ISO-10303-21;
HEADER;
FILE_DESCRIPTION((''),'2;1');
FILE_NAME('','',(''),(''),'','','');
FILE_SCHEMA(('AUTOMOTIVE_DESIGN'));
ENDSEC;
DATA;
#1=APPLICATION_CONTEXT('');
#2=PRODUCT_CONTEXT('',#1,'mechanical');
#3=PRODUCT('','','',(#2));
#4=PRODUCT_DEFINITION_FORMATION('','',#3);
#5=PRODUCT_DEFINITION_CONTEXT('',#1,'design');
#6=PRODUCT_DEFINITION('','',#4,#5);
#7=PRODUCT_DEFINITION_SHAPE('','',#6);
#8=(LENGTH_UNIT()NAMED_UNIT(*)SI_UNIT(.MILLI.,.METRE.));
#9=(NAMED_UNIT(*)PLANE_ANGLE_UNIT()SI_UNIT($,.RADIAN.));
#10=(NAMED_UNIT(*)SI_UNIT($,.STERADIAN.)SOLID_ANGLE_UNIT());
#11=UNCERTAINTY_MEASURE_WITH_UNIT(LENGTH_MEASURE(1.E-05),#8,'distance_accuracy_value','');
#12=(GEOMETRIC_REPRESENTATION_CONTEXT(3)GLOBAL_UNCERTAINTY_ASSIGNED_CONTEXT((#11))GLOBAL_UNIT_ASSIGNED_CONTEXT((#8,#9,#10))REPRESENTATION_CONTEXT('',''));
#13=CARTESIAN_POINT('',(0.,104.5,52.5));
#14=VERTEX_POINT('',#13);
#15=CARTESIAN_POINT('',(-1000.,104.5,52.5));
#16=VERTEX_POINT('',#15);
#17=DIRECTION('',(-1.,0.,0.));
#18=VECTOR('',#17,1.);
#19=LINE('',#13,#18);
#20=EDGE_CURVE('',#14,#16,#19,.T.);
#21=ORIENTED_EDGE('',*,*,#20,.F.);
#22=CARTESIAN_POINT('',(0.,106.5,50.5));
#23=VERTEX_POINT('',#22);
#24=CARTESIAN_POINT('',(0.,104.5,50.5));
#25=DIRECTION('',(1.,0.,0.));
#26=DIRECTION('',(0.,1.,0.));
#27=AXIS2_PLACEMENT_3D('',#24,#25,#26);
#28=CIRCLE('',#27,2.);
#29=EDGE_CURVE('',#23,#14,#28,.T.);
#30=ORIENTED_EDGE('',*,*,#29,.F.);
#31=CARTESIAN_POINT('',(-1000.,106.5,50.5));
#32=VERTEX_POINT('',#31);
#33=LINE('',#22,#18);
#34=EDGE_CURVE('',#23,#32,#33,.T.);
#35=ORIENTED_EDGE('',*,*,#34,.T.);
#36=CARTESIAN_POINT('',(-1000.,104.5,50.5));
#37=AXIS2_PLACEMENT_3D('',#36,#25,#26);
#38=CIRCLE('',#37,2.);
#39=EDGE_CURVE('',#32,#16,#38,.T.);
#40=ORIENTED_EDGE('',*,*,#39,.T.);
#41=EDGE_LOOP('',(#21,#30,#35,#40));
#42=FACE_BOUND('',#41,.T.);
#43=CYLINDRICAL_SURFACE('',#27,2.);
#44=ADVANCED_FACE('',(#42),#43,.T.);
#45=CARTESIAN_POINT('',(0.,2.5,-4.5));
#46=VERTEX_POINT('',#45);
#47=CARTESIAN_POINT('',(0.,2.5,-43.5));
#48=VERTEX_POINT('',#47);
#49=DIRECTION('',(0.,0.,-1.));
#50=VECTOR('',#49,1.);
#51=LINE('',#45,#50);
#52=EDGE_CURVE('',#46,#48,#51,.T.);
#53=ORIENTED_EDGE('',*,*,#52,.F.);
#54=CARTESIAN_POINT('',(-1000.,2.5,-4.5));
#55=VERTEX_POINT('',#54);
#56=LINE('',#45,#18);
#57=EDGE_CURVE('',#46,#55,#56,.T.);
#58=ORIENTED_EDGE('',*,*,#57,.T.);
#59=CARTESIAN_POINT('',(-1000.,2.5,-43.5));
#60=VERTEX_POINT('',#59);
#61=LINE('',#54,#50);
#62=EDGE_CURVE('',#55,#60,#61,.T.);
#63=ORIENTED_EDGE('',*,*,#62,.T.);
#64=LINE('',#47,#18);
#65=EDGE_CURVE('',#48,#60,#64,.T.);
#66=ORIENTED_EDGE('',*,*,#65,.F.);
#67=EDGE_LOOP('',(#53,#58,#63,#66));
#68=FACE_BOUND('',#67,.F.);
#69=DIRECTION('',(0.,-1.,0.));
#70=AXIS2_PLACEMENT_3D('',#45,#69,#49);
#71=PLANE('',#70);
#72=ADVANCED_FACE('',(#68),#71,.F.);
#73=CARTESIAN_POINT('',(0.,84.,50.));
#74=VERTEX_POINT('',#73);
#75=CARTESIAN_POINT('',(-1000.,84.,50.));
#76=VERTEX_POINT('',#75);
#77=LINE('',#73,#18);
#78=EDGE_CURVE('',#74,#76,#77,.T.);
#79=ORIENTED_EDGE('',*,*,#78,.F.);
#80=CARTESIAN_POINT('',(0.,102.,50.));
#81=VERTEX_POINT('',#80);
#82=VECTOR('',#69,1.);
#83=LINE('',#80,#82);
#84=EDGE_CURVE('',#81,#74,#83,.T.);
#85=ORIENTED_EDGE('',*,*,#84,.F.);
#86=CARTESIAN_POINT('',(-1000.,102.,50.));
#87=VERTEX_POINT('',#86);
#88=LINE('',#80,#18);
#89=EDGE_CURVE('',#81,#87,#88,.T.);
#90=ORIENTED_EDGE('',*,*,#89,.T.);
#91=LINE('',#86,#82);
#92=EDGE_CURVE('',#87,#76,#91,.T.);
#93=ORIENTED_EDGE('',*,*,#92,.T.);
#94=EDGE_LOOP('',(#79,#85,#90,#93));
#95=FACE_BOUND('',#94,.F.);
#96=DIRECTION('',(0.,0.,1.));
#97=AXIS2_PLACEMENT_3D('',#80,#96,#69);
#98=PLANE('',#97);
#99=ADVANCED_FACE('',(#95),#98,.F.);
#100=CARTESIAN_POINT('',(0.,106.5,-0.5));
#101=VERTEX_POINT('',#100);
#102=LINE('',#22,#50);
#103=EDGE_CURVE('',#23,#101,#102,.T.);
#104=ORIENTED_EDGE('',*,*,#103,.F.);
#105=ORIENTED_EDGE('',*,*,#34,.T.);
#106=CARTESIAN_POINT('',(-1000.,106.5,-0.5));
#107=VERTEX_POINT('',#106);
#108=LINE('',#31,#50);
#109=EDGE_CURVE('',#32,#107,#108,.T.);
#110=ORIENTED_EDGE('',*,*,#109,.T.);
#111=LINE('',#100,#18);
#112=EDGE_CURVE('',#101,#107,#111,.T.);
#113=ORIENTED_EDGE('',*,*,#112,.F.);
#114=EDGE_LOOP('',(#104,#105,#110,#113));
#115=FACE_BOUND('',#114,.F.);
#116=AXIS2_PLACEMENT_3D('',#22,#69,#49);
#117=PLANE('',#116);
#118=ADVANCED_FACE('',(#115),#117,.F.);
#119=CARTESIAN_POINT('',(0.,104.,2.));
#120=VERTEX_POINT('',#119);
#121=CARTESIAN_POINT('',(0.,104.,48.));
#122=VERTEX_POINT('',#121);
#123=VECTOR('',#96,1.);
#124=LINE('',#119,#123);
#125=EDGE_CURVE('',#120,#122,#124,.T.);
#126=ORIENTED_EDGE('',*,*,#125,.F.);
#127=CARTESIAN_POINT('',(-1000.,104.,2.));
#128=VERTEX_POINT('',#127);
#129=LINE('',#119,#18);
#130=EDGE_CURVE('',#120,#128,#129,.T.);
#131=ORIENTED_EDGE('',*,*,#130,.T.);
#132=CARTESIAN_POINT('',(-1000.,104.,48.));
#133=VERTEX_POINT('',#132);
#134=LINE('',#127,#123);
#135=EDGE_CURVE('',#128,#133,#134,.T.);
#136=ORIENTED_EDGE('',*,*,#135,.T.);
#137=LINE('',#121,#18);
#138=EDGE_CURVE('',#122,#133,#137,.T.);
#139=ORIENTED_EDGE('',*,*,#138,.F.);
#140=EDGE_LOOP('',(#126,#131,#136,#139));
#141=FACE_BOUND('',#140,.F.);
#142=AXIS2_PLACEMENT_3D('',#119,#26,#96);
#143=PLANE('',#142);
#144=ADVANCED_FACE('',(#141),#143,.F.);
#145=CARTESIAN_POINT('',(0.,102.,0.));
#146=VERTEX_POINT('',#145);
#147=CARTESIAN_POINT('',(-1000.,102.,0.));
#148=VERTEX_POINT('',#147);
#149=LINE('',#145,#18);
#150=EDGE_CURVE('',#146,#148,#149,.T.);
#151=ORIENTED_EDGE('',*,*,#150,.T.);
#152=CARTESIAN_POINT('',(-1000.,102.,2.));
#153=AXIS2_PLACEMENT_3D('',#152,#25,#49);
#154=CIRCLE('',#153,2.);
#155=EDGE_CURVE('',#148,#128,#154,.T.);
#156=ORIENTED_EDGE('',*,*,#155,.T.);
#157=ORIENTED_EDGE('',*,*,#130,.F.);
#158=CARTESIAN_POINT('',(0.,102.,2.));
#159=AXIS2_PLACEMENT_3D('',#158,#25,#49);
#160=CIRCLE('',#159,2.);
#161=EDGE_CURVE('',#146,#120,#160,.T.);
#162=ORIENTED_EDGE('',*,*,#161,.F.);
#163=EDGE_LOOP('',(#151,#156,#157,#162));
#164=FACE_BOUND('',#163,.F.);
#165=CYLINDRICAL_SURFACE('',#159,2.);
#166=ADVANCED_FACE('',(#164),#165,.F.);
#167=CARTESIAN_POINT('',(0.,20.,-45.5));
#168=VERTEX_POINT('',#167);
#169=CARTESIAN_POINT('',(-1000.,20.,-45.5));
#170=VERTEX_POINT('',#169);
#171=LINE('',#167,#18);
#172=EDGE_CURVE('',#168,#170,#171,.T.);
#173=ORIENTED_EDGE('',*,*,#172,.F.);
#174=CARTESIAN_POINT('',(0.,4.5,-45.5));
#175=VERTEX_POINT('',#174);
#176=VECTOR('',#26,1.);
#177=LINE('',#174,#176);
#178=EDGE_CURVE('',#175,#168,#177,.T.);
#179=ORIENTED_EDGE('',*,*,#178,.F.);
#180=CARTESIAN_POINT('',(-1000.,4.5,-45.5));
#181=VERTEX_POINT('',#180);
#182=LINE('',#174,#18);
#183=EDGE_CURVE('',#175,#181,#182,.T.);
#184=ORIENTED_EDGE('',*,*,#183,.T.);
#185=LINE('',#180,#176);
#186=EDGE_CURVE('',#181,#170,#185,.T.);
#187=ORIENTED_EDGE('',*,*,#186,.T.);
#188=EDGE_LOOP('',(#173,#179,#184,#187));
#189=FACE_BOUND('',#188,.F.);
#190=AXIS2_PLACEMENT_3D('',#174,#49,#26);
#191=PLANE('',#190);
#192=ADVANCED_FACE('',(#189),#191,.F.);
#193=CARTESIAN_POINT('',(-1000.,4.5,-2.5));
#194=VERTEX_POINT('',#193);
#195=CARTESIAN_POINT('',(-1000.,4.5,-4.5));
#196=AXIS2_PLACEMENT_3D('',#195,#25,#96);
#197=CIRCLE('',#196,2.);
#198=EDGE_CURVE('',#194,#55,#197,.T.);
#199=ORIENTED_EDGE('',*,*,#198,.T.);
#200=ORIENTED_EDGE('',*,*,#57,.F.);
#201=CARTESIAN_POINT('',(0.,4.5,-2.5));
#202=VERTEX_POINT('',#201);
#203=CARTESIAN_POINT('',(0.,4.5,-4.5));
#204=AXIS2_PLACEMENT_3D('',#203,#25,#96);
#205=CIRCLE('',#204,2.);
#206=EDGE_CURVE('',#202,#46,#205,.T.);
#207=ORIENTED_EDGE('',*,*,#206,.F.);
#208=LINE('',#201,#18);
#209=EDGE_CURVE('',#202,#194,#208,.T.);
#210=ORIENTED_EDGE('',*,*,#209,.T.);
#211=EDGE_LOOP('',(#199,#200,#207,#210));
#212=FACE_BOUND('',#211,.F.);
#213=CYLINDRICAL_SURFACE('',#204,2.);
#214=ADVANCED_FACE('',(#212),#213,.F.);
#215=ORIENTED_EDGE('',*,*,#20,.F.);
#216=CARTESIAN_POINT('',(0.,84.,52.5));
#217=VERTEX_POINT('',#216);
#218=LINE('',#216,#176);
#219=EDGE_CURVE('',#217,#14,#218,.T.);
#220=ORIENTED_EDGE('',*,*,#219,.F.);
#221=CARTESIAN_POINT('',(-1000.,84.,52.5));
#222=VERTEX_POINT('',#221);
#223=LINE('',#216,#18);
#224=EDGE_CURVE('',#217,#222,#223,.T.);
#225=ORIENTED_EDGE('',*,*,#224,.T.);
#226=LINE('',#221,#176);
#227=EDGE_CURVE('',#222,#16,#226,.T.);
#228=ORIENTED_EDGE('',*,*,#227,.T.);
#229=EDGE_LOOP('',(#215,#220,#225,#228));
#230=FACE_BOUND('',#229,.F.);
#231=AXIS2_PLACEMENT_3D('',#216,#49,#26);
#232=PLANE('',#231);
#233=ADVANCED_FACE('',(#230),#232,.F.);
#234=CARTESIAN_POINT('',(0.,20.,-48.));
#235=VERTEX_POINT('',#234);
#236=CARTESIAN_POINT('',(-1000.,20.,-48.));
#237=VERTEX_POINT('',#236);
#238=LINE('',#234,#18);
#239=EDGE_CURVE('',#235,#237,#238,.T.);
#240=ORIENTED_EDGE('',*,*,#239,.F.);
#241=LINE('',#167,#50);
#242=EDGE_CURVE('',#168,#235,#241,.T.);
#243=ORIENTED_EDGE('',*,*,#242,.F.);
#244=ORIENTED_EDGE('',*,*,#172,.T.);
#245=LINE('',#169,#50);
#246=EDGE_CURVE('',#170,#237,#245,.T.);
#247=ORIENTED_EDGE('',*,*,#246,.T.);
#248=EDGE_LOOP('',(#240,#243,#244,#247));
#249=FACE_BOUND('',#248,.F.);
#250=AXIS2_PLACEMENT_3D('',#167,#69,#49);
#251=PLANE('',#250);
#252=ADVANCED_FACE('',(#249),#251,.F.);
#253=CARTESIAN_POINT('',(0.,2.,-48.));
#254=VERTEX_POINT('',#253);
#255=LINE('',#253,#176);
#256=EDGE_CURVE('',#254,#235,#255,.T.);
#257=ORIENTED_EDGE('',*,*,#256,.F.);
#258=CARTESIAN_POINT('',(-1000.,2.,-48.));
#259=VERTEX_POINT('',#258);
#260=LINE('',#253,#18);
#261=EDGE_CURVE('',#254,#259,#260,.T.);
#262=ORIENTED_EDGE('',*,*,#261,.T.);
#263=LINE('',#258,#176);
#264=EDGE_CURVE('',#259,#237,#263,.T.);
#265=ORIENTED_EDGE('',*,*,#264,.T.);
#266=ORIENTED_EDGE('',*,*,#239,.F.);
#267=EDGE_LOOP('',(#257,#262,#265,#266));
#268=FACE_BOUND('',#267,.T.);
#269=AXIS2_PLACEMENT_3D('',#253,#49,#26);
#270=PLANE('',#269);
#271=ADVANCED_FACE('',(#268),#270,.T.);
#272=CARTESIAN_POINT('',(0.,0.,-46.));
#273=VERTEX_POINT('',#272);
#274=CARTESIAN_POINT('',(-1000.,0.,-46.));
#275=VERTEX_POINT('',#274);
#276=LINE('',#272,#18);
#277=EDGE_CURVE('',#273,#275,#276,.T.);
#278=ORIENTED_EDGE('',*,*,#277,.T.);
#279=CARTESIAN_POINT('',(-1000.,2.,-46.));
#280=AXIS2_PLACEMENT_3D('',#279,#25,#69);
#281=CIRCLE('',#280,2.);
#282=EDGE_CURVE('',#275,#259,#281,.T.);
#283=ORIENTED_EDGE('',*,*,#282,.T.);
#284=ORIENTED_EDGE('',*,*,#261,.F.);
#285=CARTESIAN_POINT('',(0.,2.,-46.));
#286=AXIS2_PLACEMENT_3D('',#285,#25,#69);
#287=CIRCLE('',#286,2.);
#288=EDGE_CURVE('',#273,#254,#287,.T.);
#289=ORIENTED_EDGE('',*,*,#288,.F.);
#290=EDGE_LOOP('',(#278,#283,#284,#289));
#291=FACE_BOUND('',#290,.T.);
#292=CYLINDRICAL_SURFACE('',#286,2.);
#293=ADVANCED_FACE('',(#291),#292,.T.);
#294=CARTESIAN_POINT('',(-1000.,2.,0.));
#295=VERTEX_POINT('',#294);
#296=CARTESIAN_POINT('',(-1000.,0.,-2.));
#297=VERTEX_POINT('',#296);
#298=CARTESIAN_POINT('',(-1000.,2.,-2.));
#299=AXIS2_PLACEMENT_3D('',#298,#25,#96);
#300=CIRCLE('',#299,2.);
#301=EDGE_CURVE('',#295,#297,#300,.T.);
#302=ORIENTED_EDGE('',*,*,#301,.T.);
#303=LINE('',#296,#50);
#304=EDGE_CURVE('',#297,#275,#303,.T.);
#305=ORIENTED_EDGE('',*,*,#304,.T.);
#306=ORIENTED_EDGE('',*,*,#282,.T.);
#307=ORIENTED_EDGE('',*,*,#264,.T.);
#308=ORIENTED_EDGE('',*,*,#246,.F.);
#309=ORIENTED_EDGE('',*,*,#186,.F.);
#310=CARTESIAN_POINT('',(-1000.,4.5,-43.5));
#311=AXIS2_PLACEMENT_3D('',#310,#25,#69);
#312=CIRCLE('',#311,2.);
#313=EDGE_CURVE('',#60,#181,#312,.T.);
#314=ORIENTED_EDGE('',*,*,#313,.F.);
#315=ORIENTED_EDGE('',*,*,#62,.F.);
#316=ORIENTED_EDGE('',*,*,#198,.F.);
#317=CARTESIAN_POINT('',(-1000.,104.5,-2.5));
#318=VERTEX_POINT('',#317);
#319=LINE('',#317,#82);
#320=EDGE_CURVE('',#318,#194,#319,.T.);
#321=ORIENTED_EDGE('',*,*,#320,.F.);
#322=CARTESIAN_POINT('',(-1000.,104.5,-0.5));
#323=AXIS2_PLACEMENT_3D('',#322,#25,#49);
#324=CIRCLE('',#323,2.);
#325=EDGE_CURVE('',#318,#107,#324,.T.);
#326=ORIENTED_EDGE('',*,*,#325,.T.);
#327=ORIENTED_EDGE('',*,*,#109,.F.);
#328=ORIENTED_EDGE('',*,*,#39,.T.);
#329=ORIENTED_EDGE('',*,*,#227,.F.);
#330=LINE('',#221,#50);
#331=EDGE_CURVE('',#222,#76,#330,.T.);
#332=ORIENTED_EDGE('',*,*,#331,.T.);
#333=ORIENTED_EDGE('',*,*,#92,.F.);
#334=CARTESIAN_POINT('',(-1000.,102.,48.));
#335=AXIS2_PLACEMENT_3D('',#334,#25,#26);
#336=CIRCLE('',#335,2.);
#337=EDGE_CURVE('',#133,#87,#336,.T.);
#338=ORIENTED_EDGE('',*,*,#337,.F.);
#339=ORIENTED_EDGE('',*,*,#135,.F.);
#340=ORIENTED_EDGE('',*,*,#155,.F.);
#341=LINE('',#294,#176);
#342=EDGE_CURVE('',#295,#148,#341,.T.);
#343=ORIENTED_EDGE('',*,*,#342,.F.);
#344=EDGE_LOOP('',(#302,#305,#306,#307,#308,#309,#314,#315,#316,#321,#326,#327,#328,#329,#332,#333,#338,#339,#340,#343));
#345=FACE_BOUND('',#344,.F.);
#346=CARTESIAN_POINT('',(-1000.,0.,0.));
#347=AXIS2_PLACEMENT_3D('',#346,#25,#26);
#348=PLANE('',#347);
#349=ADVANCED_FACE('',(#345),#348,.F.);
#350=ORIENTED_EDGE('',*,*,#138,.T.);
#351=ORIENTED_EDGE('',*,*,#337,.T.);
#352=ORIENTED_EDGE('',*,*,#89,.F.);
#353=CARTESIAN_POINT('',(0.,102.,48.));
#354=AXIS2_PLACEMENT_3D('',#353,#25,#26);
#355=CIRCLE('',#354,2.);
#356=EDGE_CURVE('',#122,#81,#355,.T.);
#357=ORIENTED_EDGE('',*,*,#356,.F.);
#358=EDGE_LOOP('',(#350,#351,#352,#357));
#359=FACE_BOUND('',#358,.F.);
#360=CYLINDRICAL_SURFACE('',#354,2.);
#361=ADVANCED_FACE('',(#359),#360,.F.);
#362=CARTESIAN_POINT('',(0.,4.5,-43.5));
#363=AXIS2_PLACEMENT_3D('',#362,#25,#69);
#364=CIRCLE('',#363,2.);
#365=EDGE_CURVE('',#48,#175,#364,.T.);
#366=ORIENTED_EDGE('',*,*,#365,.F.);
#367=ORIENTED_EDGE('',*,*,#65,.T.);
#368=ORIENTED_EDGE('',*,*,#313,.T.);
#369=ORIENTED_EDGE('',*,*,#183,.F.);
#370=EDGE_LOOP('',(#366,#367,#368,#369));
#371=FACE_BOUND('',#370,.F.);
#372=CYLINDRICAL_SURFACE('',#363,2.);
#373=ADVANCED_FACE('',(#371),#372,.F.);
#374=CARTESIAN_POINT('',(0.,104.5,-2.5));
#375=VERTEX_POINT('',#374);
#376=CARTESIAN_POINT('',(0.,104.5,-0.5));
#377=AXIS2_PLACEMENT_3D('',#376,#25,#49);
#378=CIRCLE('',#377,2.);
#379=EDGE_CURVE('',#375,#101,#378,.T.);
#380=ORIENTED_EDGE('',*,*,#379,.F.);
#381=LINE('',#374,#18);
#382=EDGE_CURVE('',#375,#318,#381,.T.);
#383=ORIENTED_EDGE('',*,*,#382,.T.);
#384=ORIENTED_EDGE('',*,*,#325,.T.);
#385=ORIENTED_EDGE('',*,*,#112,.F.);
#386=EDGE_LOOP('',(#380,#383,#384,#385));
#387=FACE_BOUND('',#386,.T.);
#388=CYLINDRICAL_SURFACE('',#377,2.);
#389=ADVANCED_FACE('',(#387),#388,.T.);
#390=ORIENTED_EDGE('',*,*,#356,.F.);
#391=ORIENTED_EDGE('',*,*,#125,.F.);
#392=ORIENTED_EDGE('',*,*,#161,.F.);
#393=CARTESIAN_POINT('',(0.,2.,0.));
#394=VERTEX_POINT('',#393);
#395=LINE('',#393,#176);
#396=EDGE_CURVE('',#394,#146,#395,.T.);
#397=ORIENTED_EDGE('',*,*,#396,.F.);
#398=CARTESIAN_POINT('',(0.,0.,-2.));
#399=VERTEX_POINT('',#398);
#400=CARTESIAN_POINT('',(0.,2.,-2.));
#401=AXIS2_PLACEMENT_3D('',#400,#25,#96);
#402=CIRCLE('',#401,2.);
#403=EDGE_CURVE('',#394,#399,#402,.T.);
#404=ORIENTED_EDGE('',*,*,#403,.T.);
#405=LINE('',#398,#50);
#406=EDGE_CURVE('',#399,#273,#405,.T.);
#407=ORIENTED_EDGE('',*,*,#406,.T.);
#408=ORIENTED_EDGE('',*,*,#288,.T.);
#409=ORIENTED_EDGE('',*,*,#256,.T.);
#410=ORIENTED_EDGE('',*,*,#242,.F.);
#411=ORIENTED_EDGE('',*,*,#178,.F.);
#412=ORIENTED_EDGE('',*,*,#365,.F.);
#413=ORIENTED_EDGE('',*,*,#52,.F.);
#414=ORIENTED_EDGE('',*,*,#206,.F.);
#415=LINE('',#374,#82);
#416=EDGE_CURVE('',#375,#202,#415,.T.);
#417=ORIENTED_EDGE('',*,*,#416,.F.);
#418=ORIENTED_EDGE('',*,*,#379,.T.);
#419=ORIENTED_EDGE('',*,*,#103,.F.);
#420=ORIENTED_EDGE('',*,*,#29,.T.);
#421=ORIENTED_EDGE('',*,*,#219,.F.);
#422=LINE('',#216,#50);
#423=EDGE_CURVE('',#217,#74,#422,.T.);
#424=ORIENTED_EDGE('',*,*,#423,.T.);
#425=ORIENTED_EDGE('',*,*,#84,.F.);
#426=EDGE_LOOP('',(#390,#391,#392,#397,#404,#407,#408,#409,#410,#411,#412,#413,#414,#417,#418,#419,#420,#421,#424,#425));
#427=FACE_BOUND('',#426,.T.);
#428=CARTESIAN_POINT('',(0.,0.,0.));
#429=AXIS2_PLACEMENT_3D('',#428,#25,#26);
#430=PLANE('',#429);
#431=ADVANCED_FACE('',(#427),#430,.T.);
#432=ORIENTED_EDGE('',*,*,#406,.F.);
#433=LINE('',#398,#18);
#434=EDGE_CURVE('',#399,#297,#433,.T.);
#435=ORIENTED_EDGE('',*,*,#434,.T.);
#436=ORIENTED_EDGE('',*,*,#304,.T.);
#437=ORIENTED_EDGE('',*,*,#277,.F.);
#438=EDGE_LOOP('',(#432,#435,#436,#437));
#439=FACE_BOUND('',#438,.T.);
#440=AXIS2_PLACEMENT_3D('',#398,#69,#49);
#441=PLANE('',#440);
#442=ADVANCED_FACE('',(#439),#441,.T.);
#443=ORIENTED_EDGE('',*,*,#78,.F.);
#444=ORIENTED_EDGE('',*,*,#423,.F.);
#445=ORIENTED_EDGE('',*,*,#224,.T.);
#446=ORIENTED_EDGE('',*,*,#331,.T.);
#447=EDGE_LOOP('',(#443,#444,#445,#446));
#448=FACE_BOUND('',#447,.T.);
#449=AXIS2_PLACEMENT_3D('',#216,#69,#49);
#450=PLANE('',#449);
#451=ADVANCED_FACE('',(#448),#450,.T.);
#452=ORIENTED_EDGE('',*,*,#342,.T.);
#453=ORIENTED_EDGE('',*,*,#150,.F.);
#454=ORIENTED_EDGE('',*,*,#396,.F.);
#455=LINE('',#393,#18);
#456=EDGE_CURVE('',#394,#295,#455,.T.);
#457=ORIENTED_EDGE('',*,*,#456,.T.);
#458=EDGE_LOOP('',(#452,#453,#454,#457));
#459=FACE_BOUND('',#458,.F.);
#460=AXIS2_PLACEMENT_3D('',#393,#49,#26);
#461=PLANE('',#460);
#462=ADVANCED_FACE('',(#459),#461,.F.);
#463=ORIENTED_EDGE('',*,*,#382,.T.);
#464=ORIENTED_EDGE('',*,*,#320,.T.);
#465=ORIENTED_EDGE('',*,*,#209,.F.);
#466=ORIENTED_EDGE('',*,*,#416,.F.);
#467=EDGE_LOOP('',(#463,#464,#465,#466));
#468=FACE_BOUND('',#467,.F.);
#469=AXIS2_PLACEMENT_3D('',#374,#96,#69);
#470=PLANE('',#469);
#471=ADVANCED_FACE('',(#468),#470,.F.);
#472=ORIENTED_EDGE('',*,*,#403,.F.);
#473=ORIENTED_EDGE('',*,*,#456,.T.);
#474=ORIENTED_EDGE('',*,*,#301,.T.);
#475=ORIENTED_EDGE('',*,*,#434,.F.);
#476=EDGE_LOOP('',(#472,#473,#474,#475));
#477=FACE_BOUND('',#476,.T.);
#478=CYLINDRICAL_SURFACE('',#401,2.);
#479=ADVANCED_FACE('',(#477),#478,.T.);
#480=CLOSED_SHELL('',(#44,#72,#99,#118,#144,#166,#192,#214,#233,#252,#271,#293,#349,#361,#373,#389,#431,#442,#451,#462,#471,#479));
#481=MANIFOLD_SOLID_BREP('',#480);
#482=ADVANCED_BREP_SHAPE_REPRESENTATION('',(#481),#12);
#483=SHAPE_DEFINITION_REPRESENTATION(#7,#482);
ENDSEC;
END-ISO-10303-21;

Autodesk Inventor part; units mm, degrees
ref_plane "YZ Plane" through (0, 0, 0) normal (1, 0, 0) x (0, 1, 0)
ref_plane "XZ Plane" through (0, 0, 0) normal (0, 1, 0) x (-1, 0, 0)
ref_plane "XY Plane" through (0, 0, 0) normal (0, 0, 1) x (1, 0, 0)
sketch "Sketch1" plane through (0, 0, 0) normal (1, 0, 0) x (0, 1, 0)
  line L0 (2, 0) -> (102, 0)
  line L1 (0, -2) -> (0, -46)
  line L2 (104, 2) -> (104, 48)
  line L3 (2, -48) -> (20, -48)
  line L4 (102, 50) -> (84, 50)
  line L5 (84, 52.5) -> (104.5, 52.5)
  line L6 (106.5, 50.5) -> (106.5, -0.5)
  line L7 (104.5, -2.5) -> (4.5, -2.5)
  line L8 (2.5, -4.5) -> (2.5, -43.5)
  line L9 (4.5, -45.5) -> (20, -45.5)
  line L10 (84, 52.5) -> (84, 50)
  line L11 (20, -45.5) -> (20, -48)
  arc A0 (104, 48) -> (102, 50) centre (102, 48) ccw
  arc A1 (106.5, 50.5) -> (104.5, 52.5) centre (104.5, 50.5) ccw
  arc A2 (102, 0) -> (104, 2) centre (102, 2) ccw
  arc A3 (104.5, -2.5) -> (106.5, -0.5) centre (104.5, -0.5) ccw
  arc A4 (2, 0) -> (0, -2) centre (2, -2) ccw
  arc A5 (4.5, -2.5) -> (2.5, -4.5) centre (4.5, -4.5) ccw
  arc A6 (2.5, -43.5) -> (4.5, -45.5) centre (4.5, -43.5) ccw
  arc A7 (0, -46) -> (2, -48) centre (2, -46) ccw
  point P0 (0, 0)
  point P1 (104, 0)
  point P2 (0, -48)
  point P3 (104, 50)
  point P4 (106.5, 52.5)
  point P5 (106.5, -2.5)
  point P6 (2.5, -2.5)
  point P7 (2.5, -45.5)
  dimension "d0" = 104
  dimension "d1" = 48
  dimension "d2" = 50
  dimension "d3" = 20
  dimension "d4" = 20
  dimension "d5" = 2.5
  dimension "d8" = 2
extrude "Extrusion1" add sketch "Sketch1" against normal blind 1000
properties part number "PerfilZ"
